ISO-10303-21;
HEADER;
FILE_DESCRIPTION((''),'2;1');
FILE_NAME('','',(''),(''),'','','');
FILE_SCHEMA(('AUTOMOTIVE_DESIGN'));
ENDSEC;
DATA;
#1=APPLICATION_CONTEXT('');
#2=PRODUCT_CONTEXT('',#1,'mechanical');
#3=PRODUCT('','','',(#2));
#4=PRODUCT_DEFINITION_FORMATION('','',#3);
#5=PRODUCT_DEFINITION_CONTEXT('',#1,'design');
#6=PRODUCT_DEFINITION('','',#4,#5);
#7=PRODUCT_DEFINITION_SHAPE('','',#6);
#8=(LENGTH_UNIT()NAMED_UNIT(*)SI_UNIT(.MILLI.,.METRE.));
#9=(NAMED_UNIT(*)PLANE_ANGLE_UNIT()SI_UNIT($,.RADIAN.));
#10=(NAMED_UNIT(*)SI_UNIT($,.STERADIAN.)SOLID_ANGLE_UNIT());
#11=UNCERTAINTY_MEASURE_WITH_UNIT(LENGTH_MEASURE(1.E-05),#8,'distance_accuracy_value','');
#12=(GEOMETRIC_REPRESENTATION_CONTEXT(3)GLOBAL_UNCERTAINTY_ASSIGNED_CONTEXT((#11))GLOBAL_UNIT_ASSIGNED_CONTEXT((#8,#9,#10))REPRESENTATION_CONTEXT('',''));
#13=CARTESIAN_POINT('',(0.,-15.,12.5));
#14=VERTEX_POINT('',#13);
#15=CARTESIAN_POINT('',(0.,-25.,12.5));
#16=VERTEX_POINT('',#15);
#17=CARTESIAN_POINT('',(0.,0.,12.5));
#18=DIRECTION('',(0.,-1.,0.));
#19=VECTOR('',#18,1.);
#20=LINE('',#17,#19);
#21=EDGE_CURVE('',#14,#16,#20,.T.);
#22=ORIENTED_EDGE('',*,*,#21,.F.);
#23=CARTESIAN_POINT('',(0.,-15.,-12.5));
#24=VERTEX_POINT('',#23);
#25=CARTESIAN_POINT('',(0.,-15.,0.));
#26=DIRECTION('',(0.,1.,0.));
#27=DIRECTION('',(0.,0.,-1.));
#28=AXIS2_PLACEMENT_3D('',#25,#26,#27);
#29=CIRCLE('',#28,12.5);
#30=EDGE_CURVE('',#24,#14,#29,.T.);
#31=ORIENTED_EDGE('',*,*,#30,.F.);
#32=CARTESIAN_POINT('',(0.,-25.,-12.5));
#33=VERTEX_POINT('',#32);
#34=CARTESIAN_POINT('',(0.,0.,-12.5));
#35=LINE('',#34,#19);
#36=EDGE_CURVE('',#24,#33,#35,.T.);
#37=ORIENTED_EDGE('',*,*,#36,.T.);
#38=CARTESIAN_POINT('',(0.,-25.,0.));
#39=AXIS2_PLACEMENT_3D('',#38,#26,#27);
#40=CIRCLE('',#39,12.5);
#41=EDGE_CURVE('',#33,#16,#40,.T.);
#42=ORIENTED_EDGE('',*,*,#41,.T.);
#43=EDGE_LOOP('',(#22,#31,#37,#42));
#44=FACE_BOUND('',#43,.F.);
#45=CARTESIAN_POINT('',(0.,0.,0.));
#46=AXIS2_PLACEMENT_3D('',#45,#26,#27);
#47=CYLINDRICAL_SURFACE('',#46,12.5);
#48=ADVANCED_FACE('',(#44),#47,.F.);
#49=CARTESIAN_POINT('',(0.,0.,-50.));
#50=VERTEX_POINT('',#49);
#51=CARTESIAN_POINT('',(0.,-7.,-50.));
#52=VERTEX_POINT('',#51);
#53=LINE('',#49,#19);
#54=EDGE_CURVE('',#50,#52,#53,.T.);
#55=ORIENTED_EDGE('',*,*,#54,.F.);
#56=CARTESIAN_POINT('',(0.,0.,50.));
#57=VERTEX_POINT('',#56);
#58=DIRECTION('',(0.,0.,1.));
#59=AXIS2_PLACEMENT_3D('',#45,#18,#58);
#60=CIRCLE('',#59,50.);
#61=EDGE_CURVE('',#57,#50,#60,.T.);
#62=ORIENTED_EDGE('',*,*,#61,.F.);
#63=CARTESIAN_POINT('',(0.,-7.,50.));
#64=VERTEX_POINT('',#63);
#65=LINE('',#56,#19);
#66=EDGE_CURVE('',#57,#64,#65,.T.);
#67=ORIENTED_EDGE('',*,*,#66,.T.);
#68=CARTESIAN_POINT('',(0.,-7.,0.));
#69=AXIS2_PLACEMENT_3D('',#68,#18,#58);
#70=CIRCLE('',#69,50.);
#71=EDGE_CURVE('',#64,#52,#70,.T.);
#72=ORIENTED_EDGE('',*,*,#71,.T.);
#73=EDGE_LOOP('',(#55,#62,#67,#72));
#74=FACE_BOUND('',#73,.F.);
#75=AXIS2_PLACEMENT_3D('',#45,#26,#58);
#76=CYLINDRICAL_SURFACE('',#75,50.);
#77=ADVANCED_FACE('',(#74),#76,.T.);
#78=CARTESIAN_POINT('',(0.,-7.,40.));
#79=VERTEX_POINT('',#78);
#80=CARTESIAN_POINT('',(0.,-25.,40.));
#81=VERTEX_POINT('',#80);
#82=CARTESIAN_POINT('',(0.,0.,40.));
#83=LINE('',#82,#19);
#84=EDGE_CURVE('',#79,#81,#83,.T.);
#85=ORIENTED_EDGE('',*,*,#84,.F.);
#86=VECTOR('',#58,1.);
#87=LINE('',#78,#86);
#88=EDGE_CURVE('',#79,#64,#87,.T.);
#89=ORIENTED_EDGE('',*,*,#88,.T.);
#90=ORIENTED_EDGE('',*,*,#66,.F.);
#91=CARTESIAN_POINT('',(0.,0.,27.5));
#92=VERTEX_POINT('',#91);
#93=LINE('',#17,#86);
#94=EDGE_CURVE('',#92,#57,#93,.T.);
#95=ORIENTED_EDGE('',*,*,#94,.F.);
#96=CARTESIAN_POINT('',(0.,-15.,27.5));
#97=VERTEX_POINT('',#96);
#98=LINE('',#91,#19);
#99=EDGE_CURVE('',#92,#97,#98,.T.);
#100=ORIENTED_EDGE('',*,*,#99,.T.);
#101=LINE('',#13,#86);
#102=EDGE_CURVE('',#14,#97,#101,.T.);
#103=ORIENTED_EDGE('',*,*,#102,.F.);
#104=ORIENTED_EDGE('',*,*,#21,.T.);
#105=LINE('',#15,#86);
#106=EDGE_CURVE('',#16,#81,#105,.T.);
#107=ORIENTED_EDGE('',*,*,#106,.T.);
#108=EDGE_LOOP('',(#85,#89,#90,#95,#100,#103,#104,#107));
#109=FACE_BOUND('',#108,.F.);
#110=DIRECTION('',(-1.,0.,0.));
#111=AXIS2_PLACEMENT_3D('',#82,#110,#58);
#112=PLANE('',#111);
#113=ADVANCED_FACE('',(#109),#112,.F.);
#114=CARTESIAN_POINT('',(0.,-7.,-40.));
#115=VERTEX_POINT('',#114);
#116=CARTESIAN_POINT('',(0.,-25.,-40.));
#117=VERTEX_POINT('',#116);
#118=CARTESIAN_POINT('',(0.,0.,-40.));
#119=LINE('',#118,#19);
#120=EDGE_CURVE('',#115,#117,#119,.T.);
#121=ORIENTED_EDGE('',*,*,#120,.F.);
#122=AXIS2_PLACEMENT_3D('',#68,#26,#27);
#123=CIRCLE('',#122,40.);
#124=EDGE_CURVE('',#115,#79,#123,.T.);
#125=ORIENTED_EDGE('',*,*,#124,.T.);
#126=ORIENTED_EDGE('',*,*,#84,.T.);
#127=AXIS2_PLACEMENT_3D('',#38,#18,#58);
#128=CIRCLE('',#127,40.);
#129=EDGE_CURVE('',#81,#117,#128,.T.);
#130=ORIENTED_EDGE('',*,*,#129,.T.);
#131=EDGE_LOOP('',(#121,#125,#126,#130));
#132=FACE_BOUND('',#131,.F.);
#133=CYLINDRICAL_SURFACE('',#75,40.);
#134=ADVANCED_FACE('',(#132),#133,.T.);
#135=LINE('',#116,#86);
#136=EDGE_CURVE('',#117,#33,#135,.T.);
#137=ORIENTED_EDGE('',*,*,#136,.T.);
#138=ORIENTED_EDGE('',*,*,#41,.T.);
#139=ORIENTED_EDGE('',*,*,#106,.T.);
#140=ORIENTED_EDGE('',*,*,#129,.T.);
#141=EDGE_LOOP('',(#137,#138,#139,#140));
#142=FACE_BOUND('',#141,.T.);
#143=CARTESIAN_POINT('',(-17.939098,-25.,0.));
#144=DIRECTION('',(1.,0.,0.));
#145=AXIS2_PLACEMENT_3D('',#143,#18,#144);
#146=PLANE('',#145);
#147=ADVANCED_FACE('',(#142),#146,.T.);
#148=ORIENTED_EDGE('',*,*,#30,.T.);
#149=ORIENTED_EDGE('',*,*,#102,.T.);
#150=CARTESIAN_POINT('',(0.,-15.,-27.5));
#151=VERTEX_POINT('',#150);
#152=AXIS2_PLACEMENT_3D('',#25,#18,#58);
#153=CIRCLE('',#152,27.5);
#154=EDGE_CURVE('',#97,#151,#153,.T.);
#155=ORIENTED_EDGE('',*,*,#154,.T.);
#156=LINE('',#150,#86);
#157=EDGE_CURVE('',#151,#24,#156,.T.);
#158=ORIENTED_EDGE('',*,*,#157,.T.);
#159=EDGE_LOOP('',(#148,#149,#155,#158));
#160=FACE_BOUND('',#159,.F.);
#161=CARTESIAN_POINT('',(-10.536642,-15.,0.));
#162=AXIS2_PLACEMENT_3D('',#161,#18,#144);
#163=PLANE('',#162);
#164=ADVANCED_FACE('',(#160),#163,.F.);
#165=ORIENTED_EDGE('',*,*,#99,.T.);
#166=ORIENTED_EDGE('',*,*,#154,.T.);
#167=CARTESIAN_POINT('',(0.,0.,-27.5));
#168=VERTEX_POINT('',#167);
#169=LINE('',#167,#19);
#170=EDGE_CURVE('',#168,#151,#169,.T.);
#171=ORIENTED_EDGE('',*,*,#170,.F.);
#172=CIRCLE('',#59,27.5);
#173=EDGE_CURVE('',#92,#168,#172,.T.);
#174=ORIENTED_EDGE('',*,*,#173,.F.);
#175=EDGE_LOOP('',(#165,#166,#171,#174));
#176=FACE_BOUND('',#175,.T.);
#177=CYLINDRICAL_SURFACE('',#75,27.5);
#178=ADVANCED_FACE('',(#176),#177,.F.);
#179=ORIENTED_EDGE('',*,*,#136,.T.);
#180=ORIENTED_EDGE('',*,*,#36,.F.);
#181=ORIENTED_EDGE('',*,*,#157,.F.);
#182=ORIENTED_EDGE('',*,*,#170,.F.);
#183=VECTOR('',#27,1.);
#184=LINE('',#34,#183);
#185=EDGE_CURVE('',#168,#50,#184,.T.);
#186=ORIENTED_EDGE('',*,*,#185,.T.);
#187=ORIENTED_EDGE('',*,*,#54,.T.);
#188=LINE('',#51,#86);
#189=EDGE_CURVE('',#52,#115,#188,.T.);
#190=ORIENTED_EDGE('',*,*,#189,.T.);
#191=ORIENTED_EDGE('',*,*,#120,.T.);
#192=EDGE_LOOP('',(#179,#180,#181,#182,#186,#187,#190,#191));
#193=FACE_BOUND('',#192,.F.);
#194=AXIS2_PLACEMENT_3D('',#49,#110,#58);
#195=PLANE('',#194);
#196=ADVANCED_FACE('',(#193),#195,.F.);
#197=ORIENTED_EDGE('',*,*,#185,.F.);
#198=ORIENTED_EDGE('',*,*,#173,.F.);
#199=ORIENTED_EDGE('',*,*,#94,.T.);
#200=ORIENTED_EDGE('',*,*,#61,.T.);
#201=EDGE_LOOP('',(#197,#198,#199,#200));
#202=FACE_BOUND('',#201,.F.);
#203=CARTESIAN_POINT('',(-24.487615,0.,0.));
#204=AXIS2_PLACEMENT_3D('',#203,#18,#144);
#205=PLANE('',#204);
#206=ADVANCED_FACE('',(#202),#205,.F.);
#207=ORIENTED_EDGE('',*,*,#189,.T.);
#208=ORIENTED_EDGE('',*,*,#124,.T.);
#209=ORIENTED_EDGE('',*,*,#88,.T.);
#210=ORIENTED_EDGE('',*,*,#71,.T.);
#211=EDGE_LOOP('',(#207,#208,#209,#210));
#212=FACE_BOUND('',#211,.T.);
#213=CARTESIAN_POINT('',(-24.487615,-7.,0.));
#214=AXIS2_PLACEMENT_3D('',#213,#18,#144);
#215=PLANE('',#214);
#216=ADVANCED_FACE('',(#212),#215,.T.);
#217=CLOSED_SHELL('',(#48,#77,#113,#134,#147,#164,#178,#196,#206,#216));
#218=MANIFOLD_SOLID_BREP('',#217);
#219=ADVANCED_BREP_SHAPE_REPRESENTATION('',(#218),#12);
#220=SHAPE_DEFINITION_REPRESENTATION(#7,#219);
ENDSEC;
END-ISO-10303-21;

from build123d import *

# Parameters (mm, degrees)
F1_DEPTH = 25
F2_DEPTH = 7
F3_DEPTH = 15


with BuildPart() as f1:
    # F0 (on Front) → F1 (new body)
    with BuildSketch(Plane.XZ):
        with BuildLine():
            Line((0, 27.5), (0, 40))
            ThreePointArc((0, 40), (-40, 0), (0, -40))
            Line((0, -40), (0, -27.5))
            ThreePointArc((0, -27.5), (-27.5, 0), (0, 27.5))
        make_face()
        with BuildLine():
            Line((0, 12.5), (0, 27.5))
            ThreePointArc((0, 27.5), (-27.5, 0), (0, -27.5))
            Line((0, -27.5), (0, -12.5))
            ThreePointArc((0, -12.5), (-12.5, 0), (0, 12.5))
        make_face()
    extrude(amount=F1_DEPTH)

    # F0 (on Front) → F2 (join)
    with BuildSketch(Plane.XZ):
        with BuildLine():
            ThreePointArc((0, -40), (-40, 0), (0, 40))
            Line((0, 40), (0, 50))
            ThreePointArc((0, 50), (-50, 0), (0, -50))
            Line((0, -50), (0, -40))
        make_face()
    extrude(amount=F2_DEPTH)

    # F0 (on Front) → F3 (cut)
    with BuildSketch(Plane.XZ):
        with BuildLine():
            Line((0, 12.5), (0, 27.5))
            ThreePointArc((0, 27.5), (-27.5, 0), (0, -27.5))
            Line((0, -27.5), (0, -12.5))
            ThreePointArc((0, -12.5), (-12.5, 0), (0, 12.5))
        make_face()
    extrude(amount=F3_DEPTH, mode=Mode.SUBTRACT)


solid = f1.part
